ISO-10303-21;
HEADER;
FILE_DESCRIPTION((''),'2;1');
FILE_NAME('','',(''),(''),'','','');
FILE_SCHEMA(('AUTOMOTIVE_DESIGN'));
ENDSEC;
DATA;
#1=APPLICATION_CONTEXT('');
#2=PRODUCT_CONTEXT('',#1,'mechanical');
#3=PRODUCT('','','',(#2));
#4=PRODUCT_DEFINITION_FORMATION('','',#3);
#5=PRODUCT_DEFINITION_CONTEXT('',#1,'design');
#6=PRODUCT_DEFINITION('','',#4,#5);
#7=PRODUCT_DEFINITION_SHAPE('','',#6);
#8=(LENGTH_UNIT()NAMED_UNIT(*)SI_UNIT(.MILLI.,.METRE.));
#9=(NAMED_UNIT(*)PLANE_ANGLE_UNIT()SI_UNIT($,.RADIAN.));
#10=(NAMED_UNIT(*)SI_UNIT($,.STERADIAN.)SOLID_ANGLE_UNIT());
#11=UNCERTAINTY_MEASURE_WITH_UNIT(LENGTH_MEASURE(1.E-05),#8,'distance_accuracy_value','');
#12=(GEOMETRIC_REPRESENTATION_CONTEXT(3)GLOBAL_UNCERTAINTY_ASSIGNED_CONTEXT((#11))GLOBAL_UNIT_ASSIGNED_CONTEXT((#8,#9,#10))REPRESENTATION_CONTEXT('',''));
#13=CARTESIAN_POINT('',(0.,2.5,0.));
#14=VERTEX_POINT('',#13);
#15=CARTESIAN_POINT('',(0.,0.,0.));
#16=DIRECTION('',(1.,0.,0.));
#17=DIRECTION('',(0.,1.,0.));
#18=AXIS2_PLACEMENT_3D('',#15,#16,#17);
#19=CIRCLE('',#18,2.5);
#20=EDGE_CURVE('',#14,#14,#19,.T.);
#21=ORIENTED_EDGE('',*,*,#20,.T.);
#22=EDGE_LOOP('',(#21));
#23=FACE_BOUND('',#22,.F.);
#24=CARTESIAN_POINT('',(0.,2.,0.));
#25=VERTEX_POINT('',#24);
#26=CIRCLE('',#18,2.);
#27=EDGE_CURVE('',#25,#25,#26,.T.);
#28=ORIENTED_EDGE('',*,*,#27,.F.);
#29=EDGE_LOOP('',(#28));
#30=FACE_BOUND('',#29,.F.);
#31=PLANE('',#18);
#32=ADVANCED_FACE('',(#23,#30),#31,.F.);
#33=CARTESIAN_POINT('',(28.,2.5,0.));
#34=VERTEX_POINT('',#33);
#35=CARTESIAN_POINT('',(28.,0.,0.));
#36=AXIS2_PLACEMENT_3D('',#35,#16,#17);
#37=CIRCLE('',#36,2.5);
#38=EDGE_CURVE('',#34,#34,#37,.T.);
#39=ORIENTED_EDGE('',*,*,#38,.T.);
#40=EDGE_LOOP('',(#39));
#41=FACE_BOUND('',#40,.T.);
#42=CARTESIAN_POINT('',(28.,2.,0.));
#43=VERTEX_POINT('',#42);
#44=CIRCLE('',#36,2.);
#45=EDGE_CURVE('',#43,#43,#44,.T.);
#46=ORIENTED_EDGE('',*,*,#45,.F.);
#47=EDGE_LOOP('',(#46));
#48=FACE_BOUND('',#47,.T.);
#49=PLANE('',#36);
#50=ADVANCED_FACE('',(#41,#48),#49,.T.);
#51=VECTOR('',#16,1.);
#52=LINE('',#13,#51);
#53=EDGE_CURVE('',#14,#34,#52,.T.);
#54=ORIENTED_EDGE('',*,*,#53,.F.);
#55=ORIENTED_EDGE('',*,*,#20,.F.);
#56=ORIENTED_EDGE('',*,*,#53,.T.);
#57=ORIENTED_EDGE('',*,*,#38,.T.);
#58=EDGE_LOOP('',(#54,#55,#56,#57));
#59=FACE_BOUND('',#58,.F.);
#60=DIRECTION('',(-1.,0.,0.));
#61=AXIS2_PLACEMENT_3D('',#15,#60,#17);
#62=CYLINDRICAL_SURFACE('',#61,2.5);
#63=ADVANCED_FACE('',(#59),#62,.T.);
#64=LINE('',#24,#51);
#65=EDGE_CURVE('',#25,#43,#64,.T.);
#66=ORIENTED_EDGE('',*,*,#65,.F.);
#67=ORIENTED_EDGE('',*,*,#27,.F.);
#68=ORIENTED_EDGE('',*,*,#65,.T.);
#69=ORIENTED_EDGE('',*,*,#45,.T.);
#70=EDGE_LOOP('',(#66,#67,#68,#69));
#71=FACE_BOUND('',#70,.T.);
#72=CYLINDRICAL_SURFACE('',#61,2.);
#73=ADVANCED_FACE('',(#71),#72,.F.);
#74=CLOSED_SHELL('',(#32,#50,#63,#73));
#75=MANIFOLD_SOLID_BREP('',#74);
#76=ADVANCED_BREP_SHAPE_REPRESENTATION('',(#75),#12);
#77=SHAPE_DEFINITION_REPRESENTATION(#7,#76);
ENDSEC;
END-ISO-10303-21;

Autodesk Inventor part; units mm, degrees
ref_plane "YZ Plane" through (0, 0, 0) normal (1, 0, 0) x (0, 1, 0)
ref_plane "XZ Plane" through (0, 0, 0) normal (0, 1, 0) x (-1, 0, 0)
ref_plane "XY Plane" through (0, 0, 0) normal (0, 0, 1) x (1, 0, 0)
sketch "Sketch1" plane through (0, 0, 0) normal (1, 0, 0) x (0, 1, 0)
  circle A0 centre (0, 0) radius 2.5
  circle A1 centre (0, 0) radius 2
  dimension "d0" = 5
  dimension "d1" = 4
extrude "Extrusion1" add sketch "Sketch1" along normal blind 28
thread "Thread1" size "M4x0.7" class "6H" standard "ISO Metric profile" full length
properties part number "05"
